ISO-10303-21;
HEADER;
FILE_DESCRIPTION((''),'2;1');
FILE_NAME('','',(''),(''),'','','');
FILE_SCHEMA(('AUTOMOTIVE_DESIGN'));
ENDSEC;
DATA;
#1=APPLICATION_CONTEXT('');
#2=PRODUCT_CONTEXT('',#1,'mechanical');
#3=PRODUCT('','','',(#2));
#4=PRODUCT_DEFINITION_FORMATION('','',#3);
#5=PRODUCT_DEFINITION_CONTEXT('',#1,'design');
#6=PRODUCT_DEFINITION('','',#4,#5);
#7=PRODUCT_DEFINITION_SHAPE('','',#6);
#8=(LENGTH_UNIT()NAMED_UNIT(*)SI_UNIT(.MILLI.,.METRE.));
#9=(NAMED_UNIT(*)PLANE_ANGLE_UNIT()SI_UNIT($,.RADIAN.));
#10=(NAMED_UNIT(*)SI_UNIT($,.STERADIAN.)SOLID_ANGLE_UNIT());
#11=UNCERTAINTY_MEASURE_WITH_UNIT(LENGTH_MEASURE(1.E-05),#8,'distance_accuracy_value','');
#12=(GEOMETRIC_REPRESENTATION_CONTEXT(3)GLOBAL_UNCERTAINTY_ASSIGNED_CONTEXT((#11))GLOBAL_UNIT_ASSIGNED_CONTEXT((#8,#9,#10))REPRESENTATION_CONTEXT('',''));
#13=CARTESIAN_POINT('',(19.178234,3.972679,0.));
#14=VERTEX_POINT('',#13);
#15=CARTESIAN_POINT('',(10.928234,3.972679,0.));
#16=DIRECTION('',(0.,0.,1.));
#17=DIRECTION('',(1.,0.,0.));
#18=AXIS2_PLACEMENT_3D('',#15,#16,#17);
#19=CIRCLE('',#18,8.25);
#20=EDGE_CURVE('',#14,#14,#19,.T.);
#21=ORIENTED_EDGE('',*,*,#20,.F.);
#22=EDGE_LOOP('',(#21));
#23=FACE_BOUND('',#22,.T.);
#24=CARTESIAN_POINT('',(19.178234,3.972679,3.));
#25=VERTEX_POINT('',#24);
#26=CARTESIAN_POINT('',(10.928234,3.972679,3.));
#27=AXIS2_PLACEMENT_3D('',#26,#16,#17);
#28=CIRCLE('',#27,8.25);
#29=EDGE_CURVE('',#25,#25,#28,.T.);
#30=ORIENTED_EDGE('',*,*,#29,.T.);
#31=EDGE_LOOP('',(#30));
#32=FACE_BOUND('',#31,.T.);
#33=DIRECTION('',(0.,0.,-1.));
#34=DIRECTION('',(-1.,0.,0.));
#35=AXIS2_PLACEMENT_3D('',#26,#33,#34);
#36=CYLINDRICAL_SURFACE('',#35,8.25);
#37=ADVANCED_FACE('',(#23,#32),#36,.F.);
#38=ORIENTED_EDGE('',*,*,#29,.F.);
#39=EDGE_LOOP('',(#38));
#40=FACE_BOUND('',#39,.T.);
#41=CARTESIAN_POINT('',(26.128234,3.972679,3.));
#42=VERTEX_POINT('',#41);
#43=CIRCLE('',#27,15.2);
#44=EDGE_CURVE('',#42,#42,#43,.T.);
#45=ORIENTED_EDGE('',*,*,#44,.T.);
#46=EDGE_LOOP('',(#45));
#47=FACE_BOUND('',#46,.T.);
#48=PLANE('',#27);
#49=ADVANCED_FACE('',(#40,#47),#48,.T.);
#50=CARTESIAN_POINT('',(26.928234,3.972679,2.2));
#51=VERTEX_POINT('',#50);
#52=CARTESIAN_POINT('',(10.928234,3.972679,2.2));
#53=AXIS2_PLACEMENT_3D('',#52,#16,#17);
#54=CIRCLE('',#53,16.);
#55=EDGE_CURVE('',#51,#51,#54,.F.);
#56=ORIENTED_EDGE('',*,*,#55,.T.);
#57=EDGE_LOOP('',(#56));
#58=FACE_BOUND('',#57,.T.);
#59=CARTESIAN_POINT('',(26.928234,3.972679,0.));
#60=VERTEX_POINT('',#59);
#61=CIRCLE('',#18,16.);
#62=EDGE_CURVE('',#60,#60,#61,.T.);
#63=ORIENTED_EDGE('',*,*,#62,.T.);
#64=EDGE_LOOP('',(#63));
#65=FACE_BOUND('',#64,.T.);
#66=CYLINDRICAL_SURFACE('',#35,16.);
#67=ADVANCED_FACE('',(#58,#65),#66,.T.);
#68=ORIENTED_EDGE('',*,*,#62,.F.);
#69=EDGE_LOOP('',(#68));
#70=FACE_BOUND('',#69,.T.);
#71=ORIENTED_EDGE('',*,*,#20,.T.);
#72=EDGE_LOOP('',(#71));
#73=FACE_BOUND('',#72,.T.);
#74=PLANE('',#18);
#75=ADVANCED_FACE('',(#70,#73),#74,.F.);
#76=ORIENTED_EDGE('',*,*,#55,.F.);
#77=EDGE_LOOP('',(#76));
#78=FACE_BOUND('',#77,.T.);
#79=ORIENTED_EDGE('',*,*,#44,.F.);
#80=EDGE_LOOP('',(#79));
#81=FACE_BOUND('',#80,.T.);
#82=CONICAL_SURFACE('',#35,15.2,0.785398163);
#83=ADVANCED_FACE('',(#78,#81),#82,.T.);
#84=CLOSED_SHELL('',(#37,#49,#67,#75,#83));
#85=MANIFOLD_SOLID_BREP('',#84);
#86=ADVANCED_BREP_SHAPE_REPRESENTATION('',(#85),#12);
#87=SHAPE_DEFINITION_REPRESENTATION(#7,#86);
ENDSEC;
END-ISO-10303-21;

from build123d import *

# Parameters (mm, degrees)
SKETCH_1_R        = 16
SKETCH_1_R_2      = 8.25
EXTRUDE_230_DEPTH = 3
CHAMFER_1_SIZE    = 0.8


with BuildPart() as part:
    # Эскиз1 → Extrude 230 (new body)
    with BuildSketch(Plane.XY):
        with Locations((10.928233517, 3.972678648)):
            Circle(SKETCH_1_R)
        with Locations((10.928233517, 3.972678648)):
            Circle(SKETCH_1_R_2, mode=Mode.SUBTRACT)
    extrude(amount=EXTRUDE_230_DEPTH)

    # Фаска1
    chamfer_1_edges = [part.edges().sort_by_distance(p)[0] for p in [
        (-5.071766483, 3.972678648, 3),
    ]]
    chamfer(chamfer_1_edges, length=CHAMFER_1_SIZE)


solid = part.part
